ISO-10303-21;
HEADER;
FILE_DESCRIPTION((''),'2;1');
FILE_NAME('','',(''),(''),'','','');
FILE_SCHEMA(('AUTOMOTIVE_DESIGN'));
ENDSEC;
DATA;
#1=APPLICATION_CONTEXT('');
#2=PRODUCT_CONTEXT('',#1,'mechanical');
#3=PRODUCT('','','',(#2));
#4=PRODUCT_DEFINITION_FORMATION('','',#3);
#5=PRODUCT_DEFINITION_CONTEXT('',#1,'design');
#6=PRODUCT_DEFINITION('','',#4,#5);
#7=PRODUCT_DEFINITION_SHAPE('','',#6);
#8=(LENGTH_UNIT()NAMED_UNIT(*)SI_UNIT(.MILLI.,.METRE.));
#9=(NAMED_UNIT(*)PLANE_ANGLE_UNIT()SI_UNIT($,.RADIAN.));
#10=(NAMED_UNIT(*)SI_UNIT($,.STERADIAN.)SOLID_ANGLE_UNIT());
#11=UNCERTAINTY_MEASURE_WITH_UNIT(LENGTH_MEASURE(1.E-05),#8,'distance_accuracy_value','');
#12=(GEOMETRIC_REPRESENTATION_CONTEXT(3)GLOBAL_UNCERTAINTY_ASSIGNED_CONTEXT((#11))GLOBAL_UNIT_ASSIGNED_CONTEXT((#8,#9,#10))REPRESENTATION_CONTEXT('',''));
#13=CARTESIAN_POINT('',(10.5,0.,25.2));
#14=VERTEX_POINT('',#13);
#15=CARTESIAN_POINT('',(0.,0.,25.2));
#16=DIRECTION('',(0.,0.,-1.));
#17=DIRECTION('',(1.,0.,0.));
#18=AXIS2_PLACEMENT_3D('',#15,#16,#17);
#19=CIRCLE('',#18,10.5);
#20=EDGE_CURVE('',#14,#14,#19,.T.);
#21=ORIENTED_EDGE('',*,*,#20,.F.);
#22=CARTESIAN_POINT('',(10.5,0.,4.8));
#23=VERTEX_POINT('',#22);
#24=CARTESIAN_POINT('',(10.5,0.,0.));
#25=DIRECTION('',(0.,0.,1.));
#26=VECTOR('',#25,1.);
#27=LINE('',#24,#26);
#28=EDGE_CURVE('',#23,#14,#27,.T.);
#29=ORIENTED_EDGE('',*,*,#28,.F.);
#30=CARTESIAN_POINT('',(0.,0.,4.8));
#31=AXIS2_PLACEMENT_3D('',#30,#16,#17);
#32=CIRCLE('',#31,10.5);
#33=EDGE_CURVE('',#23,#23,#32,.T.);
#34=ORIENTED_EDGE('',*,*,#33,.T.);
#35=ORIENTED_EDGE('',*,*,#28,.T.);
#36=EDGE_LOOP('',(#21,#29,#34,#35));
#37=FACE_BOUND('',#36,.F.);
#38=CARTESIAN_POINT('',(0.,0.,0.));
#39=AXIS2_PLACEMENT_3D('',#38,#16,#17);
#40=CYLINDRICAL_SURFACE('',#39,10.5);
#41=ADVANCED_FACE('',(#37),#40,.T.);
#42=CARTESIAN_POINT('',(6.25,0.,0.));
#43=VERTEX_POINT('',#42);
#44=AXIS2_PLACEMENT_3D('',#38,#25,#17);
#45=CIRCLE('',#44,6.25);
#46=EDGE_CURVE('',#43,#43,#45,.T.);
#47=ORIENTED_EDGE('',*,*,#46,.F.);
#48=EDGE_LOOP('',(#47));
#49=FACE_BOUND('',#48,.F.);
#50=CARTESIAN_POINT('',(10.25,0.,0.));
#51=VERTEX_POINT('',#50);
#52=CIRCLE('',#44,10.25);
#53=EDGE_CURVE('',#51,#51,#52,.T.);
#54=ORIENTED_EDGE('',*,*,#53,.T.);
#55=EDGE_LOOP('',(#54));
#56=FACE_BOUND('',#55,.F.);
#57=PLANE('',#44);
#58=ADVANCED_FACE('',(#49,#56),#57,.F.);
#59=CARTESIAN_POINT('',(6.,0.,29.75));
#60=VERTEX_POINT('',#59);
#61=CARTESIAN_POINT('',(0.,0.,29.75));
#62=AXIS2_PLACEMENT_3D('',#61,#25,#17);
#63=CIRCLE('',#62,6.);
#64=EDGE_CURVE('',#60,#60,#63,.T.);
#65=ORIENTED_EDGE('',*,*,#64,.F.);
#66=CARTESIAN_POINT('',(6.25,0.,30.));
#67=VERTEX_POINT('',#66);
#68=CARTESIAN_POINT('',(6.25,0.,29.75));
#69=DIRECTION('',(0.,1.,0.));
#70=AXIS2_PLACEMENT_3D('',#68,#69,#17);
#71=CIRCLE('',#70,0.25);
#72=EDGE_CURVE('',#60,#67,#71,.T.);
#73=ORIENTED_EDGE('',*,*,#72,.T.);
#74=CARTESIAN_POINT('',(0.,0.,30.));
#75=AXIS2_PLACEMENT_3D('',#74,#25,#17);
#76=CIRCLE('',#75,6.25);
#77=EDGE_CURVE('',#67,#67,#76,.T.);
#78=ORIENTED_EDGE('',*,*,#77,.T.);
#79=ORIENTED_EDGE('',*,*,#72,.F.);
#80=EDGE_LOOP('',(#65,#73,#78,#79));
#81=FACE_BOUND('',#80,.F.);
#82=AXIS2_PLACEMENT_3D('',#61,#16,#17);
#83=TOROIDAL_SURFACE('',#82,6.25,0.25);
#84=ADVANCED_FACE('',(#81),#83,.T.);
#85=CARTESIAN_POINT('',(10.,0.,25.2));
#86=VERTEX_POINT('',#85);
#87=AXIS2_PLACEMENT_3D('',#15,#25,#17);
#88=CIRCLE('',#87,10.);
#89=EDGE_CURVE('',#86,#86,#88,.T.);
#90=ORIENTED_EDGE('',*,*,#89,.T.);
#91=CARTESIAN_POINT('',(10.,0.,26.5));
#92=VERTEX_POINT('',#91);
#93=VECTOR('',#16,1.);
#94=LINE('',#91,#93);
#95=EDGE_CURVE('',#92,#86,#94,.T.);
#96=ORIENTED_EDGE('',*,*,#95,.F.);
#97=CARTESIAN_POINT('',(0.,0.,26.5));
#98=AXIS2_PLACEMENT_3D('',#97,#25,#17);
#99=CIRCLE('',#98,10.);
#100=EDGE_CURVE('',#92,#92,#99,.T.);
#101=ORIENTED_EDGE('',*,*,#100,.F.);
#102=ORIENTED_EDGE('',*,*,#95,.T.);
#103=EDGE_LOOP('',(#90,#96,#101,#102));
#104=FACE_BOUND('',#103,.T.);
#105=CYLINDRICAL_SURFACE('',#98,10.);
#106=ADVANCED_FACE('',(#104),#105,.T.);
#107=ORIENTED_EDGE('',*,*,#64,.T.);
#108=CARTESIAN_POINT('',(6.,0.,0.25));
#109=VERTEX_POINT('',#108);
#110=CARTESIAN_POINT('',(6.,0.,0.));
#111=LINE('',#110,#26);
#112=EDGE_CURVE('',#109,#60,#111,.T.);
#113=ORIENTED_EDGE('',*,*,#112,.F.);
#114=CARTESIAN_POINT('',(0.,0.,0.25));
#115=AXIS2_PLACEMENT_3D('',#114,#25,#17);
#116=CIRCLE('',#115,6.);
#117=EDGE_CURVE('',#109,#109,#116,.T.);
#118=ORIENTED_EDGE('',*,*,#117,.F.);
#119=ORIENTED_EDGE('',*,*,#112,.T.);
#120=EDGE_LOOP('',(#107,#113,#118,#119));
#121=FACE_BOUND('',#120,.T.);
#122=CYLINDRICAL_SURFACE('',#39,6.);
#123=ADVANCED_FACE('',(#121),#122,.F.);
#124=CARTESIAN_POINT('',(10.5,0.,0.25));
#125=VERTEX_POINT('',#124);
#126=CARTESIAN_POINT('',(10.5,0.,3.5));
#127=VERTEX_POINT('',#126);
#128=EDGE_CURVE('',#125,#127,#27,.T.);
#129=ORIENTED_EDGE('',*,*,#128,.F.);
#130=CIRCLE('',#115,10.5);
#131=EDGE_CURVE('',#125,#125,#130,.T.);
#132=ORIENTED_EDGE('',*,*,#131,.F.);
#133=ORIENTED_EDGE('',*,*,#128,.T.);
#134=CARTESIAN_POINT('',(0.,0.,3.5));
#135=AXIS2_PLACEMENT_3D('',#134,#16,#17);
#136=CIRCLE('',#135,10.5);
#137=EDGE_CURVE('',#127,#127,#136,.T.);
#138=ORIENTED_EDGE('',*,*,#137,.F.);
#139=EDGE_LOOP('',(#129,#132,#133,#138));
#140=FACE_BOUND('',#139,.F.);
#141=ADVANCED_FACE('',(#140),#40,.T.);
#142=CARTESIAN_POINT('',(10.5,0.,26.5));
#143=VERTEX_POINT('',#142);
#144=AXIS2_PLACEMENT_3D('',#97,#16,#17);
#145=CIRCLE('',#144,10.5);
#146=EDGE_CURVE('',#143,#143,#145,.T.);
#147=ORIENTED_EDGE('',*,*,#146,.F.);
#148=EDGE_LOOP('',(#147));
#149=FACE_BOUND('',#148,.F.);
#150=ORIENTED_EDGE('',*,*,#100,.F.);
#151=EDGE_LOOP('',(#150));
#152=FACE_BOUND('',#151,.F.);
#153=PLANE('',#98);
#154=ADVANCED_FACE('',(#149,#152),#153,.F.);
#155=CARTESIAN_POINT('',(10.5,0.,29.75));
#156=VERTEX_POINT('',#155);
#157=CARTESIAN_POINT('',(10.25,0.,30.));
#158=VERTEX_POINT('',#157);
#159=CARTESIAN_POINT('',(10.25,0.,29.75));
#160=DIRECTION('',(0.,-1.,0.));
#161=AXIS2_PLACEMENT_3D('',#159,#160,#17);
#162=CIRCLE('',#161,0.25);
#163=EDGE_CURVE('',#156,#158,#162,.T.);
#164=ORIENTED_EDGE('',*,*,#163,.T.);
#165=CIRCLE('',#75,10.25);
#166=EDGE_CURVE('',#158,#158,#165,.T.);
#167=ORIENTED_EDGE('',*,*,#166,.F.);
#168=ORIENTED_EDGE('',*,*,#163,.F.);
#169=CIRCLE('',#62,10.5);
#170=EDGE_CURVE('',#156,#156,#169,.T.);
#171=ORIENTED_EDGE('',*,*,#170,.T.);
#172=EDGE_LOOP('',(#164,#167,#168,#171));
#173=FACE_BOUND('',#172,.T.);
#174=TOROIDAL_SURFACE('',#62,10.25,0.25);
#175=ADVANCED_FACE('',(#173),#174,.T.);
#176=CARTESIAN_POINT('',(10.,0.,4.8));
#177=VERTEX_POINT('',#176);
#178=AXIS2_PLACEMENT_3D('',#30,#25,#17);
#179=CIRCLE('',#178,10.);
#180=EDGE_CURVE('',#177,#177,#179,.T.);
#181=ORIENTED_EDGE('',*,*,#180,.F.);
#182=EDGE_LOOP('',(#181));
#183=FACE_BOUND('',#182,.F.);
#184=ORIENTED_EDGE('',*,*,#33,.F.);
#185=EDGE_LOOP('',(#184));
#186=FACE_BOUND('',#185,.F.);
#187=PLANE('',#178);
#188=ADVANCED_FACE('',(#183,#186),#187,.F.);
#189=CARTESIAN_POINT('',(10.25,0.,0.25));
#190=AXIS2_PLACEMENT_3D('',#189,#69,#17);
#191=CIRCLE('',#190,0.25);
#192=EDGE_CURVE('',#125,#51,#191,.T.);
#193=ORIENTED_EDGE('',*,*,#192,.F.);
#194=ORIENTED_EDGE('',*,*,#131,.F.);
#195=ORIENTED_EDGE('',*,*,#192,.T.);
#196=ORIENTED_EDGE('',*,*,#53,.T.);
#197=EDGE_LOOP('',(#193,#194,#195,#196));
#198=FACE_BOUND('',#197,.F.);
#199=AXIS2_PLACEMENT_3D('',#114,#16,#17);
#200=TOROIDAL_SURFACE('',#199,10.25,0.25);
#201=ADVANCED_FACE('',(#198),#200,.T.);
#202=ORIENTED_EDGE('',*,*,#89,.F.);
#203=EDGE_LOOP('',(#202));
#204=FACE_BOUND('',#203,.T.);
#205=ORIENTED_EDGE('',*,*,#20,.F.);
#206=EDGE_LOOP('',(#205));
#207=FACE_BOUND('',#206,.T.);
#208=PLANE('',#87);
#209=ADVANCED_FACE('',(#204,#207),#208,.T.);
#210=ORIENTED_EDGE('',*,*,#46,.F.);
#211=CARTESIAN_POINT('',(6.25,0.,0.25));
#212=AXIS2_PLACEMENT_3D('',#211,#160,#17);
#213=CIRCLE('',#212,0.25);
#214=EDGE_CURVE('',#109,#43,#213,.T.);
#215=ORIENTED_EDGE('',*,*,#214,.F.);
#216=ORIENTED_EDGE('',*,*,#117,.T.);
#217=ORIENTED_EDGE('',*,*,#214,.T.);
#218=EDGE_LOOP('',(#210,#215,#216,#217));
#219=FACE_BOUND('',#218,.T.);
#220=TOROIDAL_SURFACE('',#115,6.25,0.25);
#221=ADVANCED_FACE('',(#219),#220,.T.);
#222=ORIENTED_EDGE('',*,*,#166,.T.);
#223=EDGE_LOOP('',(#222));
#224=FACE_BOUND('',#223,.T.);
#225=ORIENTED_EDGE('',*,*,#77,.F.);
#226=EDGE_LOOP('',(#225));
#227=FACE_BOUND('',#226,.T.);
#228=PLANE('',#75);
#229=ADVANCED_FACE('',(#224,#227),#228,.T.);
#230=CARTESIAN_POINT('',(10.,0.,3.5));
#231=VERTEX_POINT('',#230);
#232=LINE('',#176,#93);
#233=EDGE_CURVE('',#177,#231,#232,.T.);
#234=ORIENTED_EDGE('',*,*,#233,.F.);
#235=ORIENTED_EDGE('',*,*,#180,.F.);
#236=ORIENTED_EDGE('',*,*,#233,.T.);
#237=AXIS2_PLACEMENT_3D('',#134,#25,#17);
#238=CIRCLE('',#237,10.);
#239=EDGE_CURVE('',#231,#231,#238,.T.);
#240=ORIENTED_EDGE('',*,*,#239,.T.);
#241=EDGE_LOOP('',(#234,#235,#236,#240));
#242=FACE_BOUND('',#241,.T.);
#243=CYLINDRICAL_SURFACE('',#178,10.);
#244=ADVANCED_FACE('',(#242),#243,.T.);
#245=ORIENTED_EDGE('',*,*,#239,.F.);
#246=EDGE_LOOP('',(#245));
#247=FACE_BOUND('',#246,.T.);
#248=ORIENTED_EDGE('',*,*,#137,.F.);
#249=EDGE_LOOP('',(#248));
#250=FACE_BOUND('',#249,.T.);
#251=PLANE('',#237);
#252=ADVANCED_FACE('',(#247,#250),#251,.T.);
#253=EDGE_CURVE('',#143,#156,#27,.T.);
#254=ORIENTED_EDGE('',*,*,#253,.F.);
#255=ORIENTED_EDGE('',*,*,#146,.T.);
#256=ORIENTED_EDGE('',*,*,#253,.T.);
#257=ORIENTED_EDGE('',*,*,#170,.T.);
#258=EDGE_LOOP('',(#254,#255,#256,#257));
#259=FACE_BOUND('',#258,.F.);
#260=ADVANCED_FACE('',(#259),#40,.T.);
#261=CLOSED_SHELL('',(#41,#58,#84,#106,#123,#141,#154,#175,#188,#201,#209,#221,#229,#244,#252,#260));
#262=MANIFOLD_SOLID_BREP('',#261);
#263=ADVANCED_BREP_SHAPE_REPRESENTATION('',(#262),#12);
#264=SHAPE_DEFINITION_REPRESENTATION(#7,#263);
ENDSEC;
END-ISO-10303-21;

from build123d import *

# Parameters (mm, degrees)
F0_R     = 10.5
F0_R_2   = 6
F1_DEPTH = 30
F2_R     = 0.25
F4_START = -3.5
F3_R     = 16
F3_R_2   = 10
F4_DEPTH = 1.3
F5_START = -25.2
F5_DEPTH = 1.3


with BuildPart() as f1:
    # F0 (on Top) → F1 (new body)
    with BuildSketch(Plane.XY):
        Circle(F0_R)
        Circle(F0_R_2, mode=Mode.SUBTRACT)
    extrude(amount=F1_DEPTH)

    # F2
    f2_edges = [f1.edges().sort_by_distance(p)[0] for p in [
        (-10.5, 0, 30),
        (-6, 0, 30),
        (-10.5, 0, 0),
        (-6, 0, 0),
    ]]
    fillet(f2_edges, radius=F2_R)

    # F3 (on face) → F4 (cut)
    with BuildSketch(Plane.XY.offset(30).offset(F4_START)):
        Circle(F3_R)
        Circle(F3_R_2, mode=Mode.SUBTRACT)
    extrude(amount=-F4_DEPTH, mode=Mode.SUBTRACT)

    # F3 (on face) → F5 (cut)
    with BuildSketch(Plane.XY.offset(30).offset(F5_START)):
        Circle(F3_R)
        Circle(F3_R_2, mode=Mode.SUBTRACT)
    extrude(amount=-F5_DEPTH, mode=Mode.SUBTRACT)


solid = f1.part
